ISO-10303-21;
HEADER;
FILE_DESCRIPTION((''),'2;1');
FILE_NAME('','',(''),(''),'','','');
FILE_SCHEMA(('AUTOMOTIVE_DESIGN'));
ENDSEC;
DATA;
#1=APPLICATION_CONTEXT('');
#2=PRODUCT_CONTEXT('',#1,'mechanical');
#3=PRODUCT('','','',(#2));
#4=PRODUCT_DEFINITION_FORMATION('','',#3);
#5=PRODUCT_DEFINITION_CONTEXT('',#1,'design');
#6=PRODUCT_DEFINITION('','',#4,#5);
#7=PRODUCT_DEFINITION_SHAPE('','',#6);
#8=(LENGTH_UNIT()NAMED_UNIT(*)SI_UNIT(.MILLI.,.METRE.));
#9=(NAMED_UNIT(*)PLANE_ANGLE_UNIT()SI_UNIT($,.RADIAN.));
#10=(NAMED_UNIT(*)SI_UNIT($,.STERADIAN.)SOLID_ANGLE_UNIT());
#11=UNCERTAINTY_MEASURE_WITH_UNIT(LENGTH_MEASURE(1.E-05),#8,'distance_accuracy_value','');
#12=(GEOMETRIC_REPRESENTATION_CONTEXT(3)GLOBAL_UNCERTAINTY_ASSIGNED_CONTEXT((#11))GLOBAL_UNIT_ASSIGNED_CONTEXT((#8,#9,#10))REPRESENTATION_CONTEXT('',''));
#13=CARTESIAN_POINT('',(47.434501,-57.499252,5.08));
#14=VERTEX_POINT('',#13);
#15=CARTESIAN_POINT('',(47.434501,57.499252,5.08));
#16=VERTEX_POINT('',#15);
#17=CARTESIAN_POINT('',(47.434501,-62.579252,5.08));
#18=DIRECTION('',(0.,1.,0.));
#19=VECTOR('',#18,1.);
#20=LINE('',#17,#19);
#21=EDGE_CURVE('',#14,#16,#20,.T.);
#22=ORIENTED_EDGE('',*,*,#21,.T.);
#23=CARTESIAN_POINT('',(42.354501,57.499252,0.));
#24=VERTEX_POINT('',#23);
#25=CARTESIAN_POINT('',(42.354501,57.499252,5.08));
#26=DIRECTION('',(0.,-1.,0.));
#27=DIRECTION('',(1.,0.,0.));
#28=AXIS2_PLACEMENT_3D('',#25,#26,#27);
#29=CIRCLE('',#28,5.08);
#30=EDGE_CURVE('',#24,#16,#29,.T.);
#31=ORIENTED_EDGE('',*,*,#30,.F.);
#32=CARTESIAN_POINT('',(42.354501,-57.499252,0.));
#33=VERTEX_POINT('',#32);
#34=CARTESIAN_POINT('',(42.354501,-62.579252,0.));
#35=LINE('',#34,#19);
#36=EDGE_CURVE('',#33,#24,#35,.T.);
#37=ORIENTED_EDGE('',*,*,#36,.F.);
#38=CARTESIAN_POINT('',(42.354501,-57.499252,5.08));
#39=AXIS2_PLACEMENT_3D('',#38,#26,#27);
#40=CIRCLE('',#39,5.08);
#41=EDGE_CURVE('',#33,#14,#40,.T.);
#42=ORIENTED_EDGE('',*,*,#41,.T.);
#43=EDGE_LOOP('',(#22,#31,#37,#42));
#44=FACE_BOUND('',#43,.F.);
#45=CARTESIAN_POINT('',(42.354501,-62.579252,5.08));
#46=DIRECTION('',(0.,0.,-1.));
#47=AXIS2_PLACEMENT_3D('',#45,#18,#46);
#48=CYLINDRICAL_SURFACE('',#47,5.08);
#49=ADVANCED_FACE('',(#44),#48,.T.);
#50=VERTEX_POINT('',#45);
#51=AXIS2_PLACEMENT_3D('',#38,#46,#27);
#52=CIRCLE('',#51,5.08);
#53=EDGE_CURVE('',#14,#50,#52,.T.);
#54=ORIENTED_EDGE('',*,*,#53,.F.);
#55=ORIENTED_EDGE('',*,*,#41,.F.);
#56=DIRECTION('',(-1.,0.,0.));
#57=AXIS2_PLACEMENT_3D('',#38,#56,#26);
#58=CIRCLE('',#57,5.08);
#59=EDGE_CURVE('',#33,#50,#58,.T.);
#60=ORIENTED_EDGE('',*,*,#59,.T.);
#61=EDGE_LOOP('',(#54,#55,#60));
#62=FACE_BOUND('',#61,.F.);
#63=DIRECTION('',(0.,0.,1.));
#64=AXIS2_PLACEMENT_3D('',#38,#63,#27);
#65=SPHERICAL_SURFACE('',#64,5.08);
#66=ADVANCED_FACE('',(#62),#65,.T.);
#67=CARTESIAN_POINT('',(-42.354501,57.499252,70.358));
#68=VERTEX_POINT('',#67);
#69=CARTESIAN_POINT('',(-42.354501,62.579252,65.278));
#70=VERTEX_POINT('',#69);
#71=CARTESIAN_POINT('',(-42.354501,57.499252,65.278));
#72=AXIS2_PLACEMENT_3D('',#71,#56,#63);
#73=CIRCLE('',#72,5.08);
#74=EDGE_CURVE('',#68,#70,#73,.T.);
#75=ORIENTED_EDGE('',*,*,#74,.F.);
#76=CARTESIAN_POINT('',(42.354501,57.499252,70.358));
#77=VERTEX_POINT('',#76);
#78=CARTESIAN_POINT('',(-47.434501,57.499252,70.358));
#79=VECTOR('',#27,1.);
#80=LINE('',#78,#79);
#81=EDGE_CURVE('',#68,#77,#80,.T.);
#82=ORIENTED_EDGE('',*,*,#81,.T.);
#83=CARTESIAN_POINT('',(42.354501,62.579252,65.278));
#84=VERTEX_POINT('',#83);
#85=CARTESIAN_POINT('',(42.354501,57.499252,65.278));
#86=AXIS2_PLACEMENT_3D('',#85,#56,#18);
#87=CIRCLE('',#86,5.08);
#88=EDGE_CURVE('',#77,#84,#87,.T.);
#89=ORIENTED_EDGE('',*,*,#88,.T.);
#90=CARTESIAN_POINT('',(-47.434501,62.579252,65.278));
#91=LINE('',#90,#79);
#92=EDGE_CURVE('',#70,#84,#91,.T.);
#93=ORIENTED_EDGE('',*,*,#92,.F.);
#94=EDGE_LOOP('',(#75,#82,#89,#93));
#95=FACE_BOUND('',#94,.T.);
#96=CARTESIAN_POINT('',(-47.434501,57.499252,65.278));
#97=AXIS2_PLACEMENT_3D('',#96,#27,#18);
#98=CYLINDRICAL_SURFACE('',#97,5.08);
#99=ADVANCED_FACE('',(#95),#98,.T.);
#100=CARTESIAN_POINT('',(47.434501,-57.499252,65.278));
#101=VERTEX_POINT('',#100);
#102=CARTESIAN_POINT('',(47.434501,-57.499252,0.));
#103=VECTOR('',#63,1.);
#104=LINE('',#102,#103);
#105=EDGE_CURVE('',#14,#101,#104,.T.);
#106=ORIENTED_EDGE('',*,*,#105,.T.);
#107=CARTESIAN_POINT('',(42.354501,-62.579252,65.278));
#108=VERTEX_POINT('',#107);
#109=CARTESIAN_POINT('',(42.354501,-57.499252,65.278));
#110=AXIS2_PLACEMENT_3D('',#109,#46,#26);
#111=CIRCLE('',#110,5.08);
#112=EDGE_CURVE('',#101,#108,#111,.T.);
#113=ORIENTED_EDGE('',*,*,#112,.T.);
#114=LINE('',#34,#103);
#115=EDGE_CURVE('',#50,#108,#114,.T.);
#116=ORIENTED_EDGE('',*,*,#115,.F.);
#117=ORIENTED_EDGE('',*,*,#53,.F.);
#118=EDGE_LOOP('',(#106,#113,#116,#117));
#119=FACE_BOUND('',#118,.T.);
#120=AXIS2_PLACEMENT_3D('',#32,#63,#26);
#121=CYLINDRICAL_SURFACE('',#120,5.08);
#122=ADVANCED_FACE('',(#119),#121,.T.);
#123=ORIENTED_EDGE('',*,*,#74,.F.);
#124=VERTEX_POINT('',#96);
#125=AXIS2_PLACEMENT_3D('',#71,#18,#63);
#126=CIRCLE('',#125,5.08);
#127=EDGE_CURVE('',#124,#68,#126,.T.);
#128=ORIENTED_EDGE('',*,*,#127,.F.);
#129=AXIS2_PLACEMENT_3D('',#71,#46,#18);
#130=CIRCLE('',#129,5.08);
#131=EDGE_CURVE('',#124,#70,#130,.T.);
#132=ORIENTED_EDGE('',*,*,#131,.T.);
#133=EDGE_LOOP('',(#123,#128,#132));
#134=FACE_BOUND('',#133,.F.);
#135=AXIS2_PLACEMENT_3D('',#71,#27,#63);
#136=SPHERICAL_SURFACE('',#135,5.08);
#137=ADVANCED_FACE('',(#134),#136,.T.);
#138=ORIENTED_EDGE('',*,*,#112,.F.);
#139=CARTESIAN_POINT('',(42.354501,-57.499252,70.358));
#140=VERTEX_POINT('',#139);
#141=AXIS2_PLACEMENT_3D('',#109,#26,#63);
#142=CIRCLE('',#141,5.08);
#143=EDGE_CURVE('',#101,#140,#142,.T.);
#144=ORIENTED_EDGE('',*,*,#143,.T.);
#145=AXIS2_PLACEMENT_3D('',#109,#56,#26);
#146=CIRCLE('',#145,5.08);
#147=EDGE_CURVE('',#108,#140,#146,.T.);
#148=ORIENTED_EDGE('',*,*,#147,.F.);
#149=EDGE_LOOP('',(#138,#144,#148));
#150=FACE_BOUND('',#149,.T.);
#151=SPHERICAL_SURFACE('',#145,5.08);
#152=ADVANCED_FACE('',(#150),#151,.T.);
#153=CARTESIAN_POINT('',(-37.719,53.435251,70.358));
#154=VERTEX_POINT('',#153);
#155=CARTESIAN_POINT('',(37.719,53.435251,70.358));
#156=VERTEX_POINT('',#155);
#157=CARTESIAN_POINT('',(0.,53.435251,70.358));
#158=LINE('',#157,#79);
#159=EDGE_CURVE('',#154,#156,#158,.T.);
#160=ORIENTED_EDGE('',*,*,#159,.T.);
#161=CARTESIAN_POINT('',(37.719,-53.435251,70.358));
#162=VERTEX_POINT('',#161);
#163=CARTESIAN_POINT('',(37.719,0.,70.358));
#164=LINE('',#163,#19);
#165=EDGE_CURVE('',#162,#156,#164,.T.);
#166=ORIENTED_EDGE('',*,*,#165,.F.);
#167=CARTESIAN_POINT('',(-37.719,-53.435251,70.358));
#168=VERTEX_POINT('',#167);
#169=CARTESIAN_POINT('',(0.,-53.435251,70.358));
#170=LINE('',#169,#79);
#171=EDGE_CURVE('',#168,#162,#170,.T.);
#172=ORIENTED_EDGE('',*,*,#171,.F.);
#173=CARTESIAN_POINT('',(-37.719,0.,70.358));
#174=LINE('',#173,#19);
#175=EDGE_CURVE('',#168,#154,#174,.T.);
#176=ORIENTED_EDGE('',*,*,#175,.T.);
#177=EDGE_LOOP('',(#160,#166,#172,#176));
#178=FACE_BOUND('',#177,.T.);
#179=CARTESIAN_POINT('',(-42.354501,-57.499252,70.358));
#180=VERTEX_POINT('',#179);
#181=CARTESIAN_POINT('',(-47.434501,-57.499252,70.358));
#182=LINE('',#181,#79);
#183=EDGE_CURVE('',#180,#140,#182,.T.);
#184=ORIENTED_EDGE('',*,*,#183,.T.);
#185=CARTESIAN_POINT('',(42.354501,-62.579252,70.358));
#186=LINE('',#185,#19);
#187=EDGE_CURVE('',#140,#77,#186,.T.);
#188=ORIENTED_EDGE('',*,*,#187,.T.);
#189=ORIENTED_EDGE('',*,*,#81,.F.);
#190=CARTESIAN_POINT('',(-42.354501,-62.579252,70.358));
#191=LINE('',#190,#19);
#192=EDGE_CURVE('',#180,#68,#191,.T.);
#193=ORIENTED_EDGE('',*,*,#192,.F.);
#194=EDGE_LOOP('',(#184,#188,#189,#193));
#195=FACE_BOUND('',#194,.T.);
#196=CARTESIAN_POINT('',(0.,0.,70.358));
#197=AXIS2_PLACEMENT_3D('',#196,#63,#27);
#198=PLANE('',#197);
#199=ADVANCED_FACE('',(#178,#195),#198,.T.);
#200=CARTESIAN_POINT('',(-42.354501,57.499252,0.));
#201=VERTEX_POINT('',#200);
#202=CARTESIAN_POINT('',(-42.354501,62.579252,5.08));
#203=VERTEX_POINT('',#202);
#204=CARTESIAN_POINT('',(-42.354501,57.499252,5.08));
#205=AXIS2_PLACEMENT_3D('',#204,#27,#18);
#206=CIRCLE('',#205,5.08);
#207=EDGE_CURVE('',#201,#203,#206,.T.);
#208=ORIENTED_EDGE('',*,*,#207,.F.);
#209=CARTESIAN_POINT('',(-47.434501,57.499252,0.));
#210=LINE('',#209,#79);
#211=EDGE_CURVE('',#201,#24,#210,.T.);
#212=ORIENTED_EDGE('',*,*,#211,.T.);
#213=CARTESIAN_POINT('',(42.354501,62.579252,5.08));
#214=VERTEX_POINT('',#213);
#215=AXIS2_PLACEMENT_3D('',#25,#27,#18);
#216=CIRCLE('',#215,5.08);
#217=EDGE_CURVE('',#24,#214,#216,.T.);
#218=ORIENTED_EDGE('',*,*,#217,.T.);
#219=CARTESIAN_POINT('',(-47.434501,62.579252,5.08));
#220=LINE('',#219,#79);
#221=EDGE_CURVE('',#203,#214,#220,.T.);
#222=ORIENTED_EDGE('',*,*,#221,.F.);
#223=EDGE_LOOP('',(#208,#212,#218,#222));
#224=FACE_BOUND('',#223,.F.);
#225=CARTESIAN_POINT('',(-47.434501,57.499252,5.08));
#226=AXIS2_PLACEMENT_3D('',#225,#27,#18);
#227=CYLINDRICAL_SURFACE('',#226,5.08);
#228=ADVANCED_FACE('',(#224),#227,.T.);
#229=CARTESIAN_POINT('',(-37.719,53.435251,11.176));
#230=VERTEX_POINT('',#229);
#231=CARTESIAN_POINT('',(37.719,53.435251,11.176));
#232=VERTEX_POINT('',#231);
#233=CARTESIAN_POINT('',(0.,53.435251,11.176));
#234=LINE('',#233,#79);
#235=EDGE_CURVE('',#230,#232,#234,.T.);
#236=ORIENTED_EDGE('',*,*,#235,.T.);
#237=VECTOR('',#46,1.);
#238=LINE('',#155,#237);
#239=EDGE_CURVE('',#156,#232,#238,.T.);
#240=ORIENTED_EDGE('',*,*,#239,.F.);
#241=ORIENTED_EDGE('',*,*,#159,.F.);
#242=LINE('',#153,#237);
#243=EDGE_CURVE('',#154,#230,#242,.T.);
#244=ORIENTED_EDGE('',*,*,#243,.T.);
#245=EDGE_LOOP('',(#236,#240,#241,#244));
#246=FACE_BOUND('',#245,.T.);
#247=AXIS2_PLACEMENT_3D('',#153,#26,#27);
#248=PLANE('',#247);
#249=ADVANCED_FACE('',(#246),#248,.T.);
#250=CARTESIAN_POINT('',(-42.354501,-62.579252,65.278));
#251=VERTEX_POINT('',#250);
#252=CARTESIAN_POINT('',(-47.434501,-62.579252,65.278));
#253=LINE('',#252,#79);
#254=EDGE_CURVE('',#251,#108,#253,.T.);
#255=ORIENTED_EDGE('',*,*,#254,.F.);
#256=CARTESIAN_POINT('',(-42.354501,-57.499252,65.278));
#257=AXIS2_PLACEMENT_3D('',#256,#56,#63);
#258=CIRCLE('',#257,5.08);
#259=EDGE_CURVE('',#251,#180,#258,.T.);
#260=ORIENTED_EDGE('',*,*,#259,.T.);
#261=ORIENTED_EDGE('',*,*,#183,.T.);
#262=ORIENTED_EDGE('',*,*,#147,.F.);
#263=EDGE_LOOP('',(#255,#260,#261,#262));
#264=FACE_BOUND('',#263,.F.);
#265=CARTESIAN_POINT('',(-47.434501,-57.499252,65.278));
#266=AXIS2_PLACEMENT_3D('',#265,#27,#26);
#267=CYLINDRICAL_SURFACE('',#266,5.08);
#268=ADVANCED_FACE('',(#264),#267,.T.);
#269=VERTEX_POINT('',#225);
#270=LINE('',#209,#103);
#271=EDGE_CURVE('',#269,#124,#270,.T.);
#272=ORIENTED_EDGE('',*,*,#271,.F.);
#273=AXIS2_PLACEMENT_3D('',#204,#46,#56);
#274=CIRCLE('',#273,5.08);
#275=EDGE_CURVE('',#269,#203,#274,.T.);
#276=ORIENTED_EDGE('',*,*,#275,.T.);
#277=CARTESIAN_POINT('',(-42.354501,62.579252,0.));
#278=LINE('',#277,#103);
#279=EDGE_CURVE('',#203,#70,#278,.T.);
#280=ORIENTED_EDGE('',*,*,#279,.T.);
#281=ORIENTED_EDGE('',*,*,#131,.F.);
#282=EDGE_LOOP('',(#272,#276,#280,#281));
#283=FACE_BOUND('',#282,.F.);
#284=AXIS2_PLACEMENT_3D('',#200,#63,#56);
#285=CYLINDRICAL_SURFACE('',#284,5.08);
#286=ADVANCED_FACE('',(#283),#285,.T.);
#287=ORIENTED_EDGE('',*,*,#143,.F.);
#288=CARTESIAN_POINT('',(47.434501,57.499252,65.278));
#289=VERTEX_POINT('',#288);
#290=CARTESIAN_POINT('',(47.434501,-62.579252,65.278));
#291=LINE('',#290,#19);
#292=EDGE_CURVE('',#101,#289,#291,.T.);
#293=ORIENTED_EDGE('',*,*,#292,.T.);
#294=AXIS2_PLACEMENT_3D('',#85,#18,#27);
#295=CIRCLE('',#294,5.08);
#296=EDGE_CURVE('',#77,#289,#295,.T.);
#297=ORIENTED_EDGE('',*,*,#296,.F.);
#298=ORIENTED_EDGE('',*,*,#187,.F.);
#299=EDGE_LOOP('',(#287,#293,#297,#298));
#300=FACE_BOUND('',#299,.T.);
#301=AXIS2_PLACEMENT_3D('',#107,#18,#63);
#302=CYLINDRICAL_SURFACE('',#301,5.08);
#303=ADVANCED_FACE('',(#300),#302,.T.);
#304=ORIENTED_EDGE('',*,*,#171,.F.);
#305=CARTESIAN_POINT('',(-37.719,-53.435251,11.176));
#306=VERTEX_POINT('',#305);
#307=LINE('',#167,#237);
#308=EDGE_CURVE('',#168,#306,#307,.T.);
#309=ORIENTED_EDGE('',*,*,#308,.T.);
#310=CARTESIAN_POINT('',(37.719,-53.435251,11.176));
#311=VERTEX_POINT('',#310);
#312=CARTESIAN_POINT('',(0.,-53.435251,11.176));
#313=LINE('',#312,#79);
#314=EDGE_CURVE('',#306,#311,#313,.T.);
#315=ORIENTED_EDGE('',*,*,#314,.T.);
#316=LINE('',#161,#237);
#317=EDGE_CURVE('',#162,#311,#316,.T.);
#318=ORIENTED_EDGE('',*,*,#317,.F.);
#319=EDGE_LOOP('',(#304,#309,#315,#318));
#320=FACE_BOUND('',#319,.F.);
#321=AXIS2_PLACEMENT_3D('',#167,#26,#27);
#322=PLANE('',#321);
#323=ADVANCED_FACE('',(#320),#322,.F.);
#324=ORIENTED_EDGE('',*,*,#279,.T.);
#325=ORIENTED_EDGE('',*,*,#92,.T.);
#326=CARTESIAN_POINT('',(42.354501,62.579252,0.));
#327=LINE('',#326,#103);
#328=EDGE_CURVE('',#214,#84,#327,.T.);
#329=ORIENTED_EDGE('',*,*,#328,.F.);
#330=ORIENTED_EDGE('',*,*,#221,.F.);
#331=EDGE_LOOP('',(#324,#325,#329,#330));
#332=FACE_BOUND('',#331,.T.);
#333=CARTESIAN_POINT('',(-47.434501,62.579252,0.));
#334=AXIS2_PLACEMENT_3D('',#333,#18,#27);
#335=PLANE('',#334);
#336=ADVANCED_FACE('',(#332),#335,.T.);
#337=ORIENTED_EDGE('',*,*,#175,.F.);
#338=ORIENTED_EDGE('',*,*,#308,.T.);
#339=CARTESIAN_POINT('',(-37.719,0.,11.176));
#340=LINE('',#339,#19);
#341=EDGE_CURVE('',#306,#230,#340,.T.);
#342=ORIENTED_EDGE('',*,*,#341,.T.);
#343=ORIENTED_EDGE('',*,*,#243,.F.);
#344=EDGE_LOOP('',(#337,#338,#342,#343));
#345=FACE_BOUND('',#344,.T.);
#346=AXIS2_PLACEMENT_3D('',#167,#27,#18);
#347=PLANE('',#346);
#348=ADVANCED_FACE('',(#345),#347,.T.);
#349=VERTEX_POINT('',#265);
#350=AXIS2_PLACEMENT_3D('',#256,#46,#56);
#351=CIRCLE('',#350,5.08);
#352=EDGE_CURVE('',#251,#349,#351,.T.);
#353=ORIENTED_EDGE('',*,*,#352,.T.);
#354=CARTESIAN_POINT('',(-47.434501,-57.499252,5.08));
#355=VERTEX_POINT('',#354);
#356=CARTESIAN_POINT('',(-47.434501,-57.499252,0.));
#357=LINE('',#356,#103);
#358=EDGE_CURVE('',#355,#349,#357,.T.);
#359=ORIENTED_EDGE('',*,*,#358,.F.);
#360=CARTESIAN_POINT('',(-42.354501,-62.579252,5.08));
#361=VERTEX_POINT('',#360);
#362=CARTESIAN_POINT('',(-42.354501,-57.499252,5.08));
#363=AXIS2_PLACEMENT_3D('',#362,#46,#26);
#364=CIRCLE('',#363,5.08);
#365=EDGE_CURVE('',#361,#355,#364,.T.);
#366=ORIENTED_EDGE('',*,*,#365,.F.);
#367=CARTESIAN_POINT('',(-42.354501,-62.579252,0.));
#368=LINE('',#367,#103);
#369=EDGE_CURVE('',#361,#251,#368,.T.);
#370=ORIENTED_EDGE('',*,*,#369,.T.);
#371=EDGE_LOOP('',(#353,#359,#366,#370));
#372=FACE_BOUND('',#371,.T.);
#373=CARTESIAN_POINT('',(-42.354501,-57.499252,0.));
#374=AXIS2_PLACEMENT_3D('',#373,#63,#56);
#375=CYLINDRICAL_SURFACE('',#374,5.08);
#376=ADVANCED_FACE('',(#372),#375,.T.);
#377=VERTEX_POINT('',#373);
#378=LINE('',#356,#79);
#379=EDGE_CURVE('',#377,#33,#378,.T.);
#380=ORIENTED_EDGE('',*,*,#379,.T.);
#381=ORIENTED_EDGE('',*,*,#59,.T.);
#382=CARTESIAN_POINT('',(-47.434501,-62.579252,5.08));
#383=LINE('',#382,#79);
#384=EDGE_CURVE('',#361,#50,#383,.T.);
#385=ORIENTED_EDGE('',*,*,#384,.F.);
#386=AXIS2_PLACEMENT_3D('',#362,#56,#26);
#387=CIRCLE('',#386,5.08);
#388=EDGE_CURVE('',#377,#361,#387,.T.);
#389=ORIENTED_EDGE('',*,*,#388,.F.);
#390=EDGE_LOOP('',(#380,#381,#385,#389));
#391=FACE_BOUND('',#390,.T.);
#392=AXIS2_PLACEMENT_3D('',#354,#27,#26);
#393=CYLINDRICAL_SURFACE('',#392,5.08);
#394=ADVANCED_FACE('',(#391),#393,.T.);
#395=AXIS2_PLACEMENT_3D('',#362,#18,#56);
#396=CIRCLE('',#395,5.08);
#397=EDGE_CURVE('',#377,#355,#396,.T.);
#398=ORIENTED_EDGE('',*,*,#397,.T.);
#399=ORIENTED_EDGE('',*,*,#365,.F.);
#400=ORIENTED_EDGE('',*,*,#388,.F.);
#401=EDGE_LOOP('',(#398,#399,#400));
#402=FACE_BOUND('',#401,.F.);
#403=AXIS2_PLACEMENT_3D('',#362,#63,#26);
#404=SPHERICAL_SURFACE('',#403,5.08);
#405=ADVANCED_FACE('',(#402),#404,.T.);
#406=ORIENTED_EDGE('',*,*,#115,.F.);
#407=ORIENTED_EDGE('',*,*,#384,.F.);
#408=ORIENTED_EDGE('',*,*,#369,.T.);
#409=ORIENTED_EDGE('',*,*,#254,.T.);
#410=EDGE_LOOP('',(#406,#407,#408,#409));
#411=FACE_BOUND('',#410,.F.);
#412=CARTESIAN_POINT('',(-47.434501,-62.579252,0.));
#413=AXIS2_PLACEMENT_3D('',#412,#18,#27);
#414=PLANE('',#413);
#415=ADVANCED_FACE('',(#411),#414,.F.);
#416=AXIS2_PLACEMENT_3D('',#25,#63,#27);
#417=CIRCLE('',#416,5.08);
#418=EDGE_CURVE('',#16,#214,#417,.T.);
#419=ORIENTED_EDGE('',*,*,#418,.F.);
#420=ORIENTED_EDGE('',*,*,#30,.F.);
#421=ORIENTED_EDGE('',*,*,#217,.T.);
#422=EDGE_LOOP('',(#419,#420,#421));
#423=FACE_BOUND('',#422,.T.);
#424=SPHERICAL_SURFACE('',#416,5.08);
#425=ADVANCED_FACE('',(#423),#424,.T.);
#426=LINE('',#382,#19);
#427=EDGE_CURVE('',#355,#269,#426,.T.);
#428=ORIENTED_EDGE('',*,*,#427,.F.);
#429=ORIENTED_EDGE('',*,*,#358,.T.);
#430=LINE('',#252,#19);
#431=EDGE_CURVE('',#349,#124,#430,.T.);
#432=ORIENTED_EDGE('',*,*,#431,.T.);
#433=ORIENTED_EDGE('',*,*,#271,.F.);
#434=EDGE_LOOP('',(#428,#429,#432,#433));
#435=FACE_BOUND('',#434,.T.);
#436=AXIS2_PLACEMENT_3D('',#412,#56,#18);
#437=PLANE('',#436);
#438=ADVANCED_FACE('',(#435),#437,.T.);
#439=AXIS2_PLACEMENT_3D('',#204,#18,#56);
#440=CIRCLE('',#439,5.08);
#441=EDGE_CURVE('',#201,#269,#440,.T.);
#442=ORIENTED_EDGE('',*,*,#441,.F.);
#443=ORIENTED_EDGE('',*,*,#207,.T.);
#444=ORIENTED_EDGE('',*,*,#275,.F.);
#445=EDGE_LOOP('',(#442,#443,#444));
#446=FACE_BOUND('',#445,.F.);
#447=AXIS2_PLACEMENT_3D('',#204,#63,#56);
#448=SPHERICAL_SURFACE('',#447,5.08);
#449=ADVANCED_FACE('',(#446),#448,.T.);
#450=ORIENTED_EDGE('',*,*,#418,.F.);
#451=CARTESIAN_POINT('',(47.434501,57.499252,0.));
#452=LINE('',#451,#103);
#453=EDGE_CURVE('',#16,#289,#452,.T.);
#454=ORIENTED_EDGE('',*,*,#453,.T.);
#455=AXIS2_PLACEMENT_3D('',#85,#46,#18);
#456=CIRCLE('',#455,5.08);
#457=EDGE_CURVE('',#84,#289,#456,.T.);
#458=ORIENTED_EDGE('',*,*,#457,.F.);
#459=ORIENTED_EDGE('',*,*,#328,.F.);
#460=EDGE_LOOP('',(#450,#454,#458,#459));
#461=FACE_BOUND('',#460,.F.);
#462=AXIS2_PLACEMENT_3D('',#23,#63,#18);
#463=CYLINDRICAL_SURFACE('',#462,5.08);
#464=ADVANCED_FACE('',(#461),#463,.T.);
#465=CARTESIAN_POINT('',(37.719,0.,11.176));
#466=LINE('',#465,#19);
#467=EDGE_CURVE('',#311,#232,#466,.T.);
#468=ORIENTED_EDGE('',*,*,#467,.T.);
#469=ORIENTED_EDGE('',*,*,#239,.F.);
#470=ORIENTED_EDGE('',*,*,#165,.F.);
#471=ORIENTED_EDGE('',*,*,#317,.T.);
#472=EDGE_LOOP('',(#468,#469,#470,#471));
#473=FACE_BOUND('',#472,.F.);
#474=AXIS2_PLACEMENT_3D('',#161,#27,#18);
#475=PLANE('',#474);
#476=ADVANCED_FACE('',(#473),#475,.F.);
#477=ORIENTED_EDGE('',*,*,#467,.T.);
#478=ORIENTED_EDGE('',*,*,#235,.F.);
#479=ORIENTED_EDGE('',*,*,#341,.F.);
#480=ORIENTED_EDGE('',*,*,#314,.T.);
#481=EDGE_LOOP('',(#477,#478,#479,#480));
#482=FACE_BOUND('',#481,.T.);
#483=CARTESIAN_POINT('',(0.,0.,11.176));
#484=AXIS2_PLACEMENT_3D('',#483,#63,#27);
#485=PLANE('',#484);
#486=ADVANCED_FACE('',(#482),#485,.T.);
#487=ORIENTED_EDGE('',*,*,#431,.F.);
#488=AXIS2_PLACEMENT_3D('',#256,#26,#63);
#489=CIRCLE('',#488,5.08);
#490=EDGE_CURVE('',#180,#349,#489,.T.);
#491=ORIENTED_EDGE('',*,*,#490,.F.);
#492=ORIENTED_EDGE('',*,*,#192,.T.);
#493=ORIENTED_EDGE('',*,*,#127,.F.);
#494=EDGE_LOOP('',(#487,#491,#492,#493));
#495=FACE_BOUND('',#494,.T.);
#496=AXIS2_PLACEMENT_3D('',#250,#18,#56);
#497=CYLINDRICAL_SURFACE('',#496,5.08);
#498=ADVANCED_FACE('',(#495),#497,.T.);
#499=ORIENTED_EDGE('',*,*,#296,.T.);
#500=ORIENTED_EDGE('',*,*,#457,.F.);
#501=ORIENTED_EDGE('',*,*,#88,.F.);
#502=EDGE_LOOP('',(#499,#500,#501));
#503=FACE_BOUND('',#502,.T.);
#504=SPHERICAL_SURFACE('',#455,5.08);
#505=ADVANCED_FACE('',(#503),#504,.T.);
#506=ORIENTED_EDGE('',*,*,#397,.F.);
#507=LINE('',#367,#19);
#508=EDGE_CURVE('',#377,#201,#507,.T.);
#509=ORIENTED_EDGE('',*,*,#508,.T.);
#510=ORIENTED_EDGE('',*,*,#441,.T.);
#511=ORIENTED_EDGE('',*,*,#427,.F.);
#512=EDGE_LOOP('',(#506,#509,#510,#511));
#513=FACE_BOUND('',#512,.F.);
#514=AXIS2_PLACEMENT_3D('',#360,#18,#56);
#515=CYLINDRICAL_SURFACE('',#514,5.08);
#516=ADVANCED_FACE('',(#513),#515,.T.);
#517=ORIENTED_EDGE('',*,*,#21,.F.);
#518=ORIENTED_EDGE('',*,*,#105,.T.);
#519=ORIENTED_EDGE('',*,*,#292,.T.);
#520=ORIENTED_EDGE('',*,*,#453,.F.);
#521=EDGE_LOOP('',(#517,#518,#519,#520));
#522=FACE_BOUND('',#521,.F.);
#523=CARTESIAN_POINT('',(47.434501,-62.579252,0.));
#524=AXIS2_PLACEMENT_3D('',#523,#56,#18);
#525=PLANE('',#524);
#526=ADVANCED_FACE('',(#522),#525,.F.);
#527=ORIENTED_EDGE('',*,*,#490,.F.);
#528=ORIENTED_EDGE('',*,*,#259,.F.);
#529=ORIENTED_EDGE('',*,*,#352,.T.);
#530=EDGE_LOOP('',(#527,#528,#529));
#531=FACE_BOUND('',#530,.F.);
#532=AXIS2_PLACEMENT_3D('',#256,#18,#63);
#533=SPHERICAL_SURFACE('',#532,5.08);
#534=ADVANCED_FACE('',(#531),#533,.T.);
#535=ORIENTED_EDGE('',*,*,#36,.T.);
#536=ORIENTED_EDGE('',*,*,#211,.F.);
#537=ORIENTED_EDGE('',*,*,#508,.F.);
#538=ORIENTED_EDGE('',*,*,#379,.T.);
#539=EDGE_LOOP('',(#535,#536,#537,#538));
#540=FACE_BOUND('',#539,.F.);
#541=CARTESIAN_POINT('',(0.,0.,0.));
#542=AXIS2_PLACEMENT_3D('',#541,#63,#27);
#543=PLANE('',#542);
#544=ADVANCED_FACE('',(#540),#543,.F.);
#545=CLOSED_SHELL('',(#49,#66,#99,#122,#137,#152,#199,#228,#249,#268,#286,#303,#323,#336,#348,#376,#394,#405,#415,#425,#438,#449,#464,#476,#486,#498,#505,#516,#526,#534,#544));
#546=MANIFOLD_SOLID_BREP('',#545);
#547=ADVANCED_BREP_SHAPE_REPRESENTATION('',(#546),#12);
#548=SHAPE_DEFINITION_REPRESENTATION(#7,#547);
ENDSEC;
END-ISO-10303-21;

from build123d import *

# Parameters (mm, degrees)
F0_W     = 94.869002
F0_H     = 125.158504
F1_DEPTH = 70.358
F2_W     = 75.438
F2_H     = 106.870502
F3_DEPTH = 59.182
F4_R     = 5.08


with BuildPart() as f1:
    # F0 (on Top) → F1 (new body)
    with BuildSketch(Plane.XY):
        Rectangle(F0_W, F0_H)
    extrude(amount=F1_DEPTH)

    # F2 (on face) → F3 (cut)
    with BuildSketch(Plane.XY.offset(70.358)):
        Rectangle(F2_W, F2_H)
    extrude(amount=-F3_DEPTH, mode=Mode.SUBTRACT)

    # F4
    f4_edges = [f1.edges().sort_by_distance(p)[0] for p in [
        (47.434501, 62.579252, 35.179),
        (0, 62.579252, 70.358),
        (-47.434501, 0, 70.358),
        (0, -62.579252, 70.358),
        (47.434501, -62.579252, 35.179),
        (47.434501, 0, 0),
        (47.434501, 0, 70.358),
        (-47.434501, -62.579252, 35.179),
        (0, -62.579252, 0),
        (-47.434501, 62.579252, 35.179),
        (-47.434501, 0, 0),
        (0, 62.579252, 0),
    ]]
    fillet(f4_edges, radius=F4_R)


solid = f1.part
